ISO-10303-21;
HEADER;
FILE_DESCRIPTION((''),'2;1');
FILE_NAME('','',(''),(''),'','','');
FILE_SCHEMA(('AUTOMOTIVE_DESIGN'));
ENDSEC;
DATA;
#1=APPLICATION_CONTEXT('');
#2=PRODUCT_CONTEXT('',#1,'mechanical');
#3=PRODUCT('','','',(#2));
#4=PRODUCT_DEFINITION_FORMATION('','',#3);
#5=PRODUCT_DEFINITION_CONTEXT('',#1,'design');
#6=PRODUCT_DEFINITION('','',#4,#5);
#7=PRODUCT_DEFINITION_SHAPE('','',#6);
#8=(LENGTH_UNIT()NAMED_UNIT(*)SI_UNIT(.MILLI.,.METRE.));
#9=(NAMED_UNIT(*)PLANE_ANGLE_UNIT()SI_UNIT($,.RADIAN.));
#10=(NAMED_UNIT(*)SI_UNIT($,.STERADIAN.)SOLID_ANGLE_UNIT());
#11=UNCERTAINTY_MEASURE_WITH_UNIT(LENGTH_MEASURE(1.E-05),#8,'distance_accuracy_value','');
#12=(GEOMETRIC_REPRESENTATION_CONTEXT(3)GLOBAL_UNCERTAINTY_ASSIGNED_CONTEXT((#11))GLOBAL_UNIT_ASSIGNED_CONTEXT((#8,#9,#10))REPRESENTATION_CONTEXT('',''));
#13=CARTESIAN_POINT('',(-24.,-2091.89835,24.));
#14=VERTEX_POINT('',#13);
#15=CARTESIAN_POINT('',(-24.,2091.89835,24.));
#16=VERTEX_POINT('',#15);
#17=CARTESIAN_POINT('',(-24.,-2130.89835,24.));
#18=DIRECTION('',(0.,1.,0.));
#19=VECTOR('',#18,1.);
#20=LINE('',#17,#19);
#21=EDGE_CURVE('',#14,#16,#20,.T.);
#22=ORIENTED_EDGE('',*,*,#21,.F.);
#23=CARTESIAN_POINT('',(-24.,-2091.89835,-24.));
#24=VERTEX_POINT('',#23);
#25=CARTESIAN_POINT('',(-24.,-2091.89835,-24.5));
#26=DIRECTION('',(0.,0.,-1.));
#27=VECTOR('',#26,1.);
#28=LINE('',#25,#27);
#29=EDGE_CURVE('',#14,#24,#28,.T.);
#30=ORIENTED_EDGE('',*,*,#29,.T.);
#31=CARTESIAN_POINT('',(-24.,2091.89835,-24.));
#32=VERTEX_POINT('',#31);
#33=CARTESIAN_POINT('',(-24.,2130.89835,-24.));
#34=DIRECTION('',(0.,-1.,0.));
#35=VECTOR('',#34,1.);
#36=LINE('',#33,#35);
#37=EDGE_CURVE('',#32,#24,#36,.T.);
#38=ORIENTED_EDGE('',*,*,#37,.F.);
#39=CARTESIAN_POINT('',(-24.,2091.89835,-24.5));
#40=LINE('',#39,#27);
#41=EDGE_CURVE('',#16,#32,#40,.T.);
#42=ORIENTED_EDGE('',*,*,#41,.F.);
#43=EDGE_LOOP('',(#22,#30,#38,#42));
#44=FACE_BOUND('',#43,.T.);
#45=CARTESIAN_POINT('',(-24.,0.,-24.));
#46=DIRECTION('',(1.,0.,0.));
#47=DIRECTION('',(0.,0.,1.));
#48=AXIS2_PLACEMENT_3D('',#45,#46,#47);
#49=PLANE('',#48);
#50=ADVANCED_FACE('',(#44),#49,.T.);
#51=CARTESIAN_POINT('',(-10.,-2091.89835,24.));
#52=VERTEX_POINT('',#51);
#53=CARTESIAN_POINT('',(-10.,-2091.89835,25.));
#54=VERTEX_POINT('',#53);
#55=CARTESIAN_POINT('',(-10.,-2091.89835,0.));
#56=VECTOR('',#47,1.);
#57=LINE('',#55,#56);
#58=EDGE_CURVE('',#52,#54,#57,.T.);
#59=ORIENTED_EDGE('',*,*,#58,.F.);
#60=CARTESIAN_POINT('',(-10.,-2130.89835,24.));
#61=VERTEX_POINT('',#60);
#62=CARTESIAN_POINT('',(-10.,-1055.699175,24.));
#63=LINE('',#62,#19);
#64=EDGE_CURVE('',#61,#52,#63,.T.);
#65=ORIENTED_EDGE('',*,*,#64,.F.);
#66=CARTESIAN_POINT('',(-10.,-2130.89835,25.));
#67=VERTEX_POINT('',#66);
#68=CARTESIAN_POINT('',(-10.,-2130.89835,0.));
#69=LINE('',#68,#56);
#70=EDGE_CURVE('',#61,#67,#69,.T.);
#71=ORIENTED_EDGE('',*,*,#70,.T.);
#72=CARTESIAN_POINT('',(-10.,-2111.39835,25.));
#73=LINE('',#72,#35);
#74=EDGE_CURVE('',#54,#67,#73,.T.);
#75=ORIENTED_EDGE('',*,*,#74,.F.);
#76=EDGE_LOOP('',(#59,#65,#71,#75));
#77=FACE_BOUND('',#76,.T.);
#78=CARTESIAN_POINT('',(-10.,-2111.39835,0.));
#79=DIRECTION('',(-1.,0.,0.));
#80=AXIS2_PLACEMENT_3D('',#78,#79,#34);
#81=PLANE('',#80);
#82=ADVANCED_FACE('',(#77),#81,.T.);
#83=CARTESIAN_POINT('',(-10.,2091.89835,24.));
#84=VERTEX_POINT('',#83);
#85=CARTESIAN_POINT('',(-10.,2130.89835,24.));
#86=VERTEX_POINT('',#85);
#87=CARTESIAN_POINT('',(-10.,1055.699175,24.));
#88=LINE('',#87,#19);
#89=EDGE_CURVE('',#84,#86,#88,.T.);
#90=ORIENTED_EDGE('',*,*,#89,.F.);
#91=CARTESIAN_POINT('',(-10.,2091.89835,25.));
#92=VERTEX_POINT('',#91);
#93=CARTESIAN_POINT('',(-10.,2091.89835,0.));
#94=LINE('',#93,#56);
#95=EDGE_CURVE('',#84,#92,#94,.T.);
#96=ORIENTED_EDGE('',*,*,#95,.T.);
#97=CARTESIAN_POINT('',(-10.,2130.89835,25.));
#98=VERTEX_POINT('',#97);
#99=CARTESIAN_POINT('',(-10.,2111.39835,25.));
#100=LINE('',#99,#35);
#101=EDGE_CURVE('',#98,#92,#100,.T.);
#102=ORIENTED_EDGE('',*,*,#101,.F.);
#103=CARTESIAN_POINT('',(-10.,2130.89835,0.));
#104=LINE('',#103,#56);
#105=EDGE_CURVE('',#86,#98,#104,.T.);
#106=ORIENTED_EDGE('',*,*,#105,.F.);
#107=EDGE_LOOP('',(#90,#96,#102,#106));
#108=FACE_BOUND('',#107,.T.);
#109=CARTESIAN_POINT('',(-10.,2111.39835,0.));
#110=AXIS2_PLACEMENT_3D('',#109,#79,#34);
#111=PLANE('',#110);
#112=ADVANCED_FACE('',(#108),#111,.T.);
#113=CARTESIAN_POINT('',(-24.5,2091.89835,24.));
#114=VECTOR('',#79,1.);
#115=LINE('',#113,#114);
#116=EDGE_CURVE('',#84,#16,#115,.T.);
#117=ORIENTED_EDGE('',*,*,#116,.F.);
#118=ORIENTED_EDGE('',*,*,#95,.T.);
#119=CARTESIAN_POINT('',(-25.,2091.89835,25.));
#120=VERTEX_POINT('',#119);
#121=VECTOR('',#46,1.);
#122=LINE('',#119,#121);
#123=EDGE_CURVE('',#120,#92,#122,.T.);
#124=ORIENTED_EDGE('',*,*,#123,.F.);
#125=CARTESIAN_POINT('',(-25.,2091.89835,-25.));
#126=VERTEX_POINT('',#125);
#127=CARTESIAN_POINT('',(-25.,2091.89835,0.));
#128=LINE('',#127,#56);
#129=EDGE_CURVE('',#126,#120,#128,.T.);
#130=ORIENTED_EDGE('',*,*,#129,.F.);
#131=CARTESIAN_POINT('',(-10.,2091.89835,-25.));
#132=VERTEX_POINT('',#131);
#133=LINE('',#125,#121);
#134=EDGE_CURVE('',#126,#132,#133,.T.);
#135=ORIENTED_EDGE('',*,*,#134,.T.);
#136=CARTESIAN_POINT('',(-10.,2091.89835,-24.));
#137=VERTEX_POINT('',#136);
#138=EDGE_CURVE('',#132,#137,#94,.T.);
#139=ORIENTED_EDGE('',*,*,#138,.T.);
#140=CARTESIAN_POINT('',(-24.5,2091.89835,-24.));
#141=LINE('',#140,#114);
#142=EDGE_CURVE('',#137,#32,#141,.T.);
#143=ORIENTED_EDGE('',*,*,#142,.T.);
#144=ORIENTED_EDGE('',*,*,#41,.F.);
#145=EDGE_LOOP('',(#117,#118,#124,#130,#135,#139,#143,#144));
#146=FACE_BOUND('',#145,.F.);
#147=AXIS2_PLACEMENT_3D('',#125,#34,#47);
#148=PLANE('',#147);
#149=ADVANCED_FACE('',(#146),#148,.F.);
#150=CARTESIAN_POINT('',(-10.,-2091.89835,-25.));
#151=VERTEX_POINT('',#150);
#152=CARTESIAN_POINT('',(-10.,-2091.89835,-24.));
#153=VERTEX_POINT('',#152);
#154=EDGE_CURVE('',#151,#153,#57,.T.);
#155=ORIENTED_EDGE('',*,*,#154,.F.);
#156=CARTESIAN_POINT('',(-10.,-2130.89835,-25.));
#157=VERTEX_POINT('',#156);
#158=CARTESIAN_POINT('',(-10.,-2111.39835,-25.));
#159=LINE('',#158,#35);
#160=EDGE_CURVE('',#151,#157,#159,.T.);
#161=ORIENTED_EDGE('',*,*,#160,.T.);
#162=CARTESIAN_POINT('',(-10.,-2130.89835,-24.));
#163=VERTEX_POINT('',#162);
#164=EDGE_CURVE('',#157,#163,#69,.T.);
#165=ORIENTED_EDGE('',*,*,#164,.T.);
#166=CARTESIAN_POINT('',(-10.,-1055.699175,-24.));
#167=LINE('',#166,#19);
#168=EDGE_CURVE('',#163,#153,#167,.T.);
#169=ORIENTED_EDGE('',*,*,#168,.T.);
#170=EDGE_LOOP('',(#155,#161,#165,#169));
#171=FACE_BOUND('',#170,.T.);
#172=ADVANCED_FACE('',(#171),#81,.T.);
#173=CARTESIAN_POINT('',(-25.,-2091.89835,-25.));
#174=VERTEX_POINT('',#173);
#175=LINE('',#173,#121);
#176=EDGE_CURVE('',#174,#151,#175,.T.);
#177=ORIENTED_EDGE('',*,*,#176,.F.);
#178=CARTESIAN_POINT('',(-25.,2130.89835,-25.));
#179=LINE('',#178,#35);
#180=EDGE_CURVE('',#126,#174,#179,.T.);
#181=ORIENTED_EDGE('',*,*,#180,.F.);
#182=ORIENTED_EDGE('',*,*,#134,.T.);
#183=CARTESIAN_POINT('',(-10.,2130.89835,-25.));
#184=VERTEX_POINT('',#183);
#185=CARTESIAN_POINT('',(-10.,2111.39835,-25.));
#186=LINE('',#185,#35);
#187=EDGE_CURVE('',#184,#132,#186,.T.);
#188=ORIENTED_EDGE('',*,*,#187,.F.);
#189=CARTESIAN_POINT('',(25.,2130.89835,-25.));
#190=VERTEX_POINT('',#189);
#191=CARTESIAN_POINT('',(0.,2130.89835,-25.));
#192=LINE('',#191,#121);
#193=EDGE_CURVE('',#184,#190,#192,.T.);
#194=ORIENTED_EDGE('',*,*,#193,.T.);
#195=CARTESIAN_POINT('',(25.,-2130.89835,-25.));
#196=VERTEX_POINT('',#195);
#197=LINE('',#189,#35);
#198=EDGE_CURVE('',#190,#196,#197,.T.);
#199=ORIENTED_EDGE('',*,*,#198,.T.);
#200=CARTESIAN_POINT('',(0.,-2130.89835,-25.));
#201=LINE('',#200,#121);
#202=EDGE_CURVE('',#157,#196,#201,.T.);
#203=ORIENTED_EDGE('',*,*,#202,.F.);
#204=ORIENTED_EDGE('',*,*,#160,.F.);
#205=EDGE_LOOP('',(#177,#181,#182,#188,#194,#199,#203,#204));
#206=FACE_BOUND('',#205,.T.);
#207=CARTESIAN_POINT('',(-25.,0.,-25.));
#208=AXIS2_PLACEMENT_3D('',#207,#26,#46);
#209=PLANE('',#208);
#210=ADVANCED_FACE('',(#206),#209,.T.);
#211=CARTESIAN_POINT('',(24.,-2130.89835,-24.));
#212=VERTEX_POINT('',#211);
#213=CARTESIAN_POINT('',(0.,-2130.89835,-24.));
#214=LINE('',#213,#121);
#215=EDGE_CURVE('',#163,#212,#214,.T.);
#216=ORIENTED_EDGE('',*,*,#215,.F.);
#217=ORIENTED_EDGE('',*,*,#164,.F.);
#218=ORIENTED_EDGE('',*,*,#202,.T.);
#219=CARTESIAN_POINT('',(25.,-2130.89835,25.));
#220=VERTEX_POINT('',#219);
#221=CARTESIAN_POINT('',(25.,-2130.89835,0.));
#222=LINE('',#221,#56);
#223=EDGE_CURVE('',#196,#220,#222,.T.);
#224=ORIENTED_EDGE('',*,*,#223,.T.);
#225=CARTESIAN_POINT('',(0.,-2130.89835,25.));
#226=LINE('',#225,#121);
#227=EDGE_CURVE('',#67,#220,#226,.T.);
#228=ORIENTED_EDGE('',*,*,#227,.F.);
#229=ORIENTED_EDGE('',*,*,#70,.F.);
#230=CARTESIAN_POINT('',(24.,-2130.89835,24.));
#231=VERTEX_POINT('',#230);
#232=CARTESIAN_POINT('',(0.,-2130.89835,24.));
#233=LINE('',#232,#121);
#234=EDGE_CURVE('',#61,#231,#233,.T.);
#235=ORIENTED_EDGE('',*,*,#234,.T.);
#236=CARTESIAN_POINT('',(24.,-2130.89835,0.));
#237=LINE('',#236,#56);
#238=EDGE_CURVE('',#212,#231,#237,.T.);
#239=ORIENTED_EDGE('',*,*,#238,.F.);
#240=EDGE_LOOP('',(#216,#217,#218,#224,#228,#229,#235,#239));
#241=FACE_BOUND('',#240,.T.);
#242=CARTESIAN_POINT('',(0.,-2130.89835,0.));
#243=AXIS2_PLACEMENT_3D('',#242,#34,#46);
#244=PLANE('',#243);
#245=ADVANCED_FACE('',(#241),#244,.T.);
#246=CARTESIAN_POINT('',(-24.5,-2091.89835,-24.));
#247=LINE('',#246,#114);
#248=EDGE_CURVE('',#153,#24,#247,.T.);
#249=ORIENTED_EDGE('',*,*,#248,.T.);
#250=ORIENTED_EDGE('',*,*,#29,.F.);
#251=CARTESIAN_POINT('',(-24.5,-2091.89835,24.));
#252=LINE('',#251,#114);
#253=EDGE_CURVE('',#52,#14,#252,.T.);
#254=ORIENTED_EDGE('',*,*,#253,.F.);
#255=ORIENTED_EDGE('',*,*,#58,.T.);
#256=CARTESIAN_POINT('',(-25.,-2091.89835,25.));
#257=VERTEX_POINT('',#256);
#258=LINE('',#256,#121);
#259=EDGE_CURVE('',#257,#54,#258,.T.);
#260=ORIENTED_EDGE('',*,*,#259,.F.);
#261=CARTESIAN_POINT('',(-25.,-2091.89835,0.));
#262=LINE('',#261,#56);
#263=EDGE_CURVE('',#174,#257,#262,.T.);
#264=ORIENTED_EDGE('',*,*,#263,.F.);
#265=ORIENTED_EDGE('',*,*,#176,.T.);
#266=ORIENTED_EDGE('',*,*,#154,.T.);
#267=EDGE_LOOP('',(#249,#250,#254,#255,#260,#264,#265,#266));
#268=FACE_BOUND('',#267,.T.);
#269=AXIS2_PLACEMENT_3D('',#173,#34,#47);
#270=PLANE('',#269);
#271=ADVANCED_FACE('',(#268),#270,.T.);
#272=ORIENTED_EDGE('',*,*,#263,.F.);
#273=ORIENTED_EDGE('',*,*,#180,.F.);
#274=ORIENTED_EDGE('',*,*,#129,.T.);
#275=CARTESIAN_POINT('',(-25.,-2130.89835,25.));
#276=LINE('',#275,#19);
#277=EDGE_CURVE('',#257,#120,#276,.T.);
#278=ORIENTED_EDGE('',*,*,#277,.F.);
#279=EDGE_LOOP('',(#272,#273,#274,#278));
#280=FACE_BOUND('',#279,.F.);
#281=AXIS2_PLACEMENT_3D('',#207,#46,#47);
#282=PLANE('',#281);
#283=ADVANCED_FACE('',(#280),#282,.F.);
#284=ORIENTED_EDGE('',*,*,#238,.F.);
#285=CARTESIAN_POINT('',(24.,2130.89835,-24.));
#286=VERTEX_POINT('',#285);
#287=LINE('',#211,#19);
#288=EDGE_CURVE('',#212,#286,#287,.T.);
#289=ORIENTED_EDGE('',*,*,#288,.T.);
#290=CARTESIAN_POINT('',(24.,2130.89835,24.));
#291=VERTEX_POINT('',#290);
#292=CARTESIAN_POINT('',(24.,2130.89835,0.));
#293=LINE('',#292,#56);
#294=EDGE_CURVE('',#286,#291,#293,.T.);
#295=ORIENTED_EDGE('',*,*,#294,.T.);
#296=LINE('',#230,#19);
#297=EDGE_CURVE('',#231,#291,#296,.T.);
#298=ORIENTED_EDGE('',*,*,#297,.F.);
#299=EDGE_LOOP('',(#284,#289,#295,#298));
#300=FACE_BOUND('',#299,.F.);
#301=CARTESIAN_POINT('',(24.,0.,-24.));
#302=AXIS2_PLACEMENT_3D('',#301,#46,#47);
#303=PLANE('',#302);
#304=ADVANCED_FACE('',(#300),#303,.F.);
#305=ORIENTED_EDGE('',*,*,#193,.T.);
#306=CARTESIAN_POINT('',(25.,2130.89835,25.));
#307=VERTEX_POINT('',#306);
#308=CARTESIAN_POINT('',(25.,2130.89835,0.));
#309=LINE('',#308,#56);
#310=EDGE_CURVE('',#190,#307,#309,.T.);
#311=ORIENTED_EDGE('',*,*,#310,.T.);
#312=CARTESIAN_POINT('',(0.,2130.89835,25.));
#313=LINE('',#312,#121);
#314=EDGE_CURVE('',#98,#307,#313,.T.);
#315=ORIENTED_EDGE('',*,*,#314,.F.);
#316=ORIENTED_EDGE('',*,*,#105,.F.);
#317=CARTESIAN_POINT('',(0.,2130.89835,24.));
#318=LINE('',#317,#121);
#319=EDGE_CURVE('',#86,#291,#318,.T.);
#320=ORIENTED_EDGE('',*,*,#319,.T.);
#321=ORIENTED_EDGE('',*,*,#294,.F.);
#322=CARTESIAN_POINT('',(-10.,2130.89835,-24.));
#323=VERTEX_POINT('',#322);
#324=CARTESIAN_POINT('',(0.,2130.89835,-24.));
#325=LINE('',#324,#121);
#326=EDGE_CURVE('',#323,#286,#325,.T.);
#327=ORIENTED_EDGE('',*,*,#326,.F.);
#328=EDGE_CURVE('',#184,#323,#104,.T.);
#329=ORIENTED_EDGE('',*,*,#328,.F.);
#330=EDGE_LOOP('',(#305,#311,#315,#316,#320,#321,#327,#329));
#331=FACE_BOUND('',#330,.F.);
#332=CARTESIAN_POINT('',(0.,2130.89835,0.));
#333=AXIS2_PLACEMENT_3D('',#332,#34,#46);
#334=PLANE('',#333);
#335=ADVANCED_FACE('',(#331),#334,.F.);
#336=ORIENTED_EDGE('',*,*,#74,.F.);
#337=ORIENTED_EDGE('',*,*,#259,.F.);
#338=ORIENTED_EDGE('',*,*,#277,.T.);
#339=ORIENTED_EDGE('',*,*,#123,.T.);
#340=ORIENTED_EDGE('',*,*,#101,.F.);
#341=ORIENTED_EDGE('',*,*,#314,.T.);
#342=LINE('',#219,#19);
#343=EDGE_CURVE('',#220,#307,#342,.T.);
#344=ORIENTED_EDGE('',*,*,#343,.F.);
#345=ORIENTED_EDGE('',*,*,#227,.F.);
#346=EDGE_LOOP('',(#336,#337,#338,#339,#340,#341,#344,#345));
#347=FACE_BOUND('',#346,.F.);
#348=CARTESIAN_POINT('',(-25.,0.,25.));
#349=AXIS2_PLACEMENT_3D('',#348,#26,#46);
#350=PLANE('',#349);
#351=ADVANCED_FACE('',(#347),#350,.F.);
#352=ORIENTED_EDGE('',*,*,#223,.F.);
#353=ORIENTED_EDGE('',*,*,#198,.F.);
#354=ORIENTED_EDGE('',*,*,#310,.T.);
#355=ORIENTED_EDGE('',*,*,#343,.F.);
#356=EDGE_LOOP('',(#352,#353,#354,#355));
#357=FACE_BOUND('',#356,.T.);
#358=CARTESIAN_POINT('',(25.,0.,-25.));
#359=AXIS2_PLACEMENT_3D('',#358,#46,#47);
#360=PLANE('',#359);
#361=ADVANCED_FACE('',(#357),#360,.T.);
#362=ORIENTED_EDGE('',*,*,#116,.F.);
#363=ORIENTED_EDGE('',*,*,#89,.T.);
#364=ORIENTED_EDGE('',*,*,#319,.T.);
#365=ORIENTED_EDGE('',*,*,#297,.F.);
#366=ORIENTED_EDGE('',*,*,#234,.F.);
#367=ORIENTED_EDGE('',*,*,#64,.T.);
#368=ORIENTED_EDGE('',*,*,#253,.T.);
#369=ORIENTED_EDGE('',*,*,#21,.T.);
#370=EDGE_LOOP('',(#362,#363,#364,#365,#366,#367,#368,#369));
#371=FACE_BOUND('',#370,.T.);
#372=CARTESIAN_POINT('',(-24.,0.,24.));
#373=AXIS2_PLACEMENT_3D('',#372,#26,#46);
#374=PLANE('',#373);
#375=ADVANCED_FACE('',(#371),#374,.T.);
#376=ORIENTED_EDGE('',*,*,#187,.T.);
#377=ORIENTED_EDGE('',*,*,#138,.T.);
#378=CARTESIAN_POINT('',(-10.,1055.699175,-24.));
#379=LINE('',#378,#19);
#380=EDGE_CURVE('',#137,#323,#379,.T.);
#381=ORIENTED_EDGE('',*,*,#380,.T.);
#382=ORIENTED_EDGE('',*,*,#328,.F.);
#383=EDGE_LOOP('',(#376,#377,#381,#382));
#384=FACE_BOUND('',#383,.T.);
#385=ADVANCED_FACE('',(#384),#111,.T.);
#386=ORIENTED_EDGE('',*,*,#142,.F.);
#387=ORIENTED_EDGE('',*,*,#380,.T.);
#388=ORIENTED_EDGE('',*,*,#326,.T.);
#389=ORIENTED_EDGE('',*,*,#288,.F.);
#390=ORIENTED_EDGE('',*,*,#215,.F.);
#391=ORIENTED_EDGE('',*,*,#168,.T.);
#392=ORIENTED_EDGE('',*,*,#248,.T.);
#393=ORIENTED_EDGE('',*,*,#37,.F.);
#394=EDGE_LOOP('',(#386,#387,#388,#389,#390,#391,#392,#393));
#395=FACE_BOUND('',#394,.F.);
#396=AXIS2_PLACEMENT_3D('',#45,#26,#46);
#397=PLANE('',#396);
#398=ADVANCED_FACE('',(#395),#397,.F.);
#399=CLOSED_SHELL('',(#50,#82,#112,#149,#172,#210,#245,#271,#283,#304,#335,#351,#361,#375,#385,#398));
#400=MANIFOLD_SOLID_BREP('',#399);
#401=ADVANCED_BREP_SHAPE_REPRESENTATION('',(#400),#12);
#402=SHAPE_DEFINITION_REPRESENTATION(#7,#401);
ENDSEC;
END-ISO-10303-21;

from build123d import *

# Parameters (mm, degrees)
F0_W     = 50
F0_H     = 50
F0_W_2   = 48
F0_H_2   = 48
F1_DEPTH = 2130.89835
F2_W     = 39
F2_H     = 50
F3_DEPTH = 15


with BuildPart() as f1:
    # F0 (on Front) → F1 (new body, symmetric)
    with BuildSketch(Plane.XZ):
        Rectangle(F0_W, F0_H)
        Rectangle(F0_W_2, F0_H_2, mode=Mode.SUBTRACT)
    extrude(amount=F1_DEPTH, both=True)

    # F2 (on face) → F3 (cut)
    with BuildSketch(Plane(origin=(-25, 0, 0), x_dir=(0, -1, 0), z_dir=(-1, 0, 0))):
        with Locations((-2111.39835, 0)):
            Rectangle(F2_W, F2_H)
        with Locations((2111.39835, 0)):
            Rectangle(F2_W, F2_H)
    extrude(amount=-F3_DEPTH, mode=Mode.SUBTRACT)


solid = f1.part
